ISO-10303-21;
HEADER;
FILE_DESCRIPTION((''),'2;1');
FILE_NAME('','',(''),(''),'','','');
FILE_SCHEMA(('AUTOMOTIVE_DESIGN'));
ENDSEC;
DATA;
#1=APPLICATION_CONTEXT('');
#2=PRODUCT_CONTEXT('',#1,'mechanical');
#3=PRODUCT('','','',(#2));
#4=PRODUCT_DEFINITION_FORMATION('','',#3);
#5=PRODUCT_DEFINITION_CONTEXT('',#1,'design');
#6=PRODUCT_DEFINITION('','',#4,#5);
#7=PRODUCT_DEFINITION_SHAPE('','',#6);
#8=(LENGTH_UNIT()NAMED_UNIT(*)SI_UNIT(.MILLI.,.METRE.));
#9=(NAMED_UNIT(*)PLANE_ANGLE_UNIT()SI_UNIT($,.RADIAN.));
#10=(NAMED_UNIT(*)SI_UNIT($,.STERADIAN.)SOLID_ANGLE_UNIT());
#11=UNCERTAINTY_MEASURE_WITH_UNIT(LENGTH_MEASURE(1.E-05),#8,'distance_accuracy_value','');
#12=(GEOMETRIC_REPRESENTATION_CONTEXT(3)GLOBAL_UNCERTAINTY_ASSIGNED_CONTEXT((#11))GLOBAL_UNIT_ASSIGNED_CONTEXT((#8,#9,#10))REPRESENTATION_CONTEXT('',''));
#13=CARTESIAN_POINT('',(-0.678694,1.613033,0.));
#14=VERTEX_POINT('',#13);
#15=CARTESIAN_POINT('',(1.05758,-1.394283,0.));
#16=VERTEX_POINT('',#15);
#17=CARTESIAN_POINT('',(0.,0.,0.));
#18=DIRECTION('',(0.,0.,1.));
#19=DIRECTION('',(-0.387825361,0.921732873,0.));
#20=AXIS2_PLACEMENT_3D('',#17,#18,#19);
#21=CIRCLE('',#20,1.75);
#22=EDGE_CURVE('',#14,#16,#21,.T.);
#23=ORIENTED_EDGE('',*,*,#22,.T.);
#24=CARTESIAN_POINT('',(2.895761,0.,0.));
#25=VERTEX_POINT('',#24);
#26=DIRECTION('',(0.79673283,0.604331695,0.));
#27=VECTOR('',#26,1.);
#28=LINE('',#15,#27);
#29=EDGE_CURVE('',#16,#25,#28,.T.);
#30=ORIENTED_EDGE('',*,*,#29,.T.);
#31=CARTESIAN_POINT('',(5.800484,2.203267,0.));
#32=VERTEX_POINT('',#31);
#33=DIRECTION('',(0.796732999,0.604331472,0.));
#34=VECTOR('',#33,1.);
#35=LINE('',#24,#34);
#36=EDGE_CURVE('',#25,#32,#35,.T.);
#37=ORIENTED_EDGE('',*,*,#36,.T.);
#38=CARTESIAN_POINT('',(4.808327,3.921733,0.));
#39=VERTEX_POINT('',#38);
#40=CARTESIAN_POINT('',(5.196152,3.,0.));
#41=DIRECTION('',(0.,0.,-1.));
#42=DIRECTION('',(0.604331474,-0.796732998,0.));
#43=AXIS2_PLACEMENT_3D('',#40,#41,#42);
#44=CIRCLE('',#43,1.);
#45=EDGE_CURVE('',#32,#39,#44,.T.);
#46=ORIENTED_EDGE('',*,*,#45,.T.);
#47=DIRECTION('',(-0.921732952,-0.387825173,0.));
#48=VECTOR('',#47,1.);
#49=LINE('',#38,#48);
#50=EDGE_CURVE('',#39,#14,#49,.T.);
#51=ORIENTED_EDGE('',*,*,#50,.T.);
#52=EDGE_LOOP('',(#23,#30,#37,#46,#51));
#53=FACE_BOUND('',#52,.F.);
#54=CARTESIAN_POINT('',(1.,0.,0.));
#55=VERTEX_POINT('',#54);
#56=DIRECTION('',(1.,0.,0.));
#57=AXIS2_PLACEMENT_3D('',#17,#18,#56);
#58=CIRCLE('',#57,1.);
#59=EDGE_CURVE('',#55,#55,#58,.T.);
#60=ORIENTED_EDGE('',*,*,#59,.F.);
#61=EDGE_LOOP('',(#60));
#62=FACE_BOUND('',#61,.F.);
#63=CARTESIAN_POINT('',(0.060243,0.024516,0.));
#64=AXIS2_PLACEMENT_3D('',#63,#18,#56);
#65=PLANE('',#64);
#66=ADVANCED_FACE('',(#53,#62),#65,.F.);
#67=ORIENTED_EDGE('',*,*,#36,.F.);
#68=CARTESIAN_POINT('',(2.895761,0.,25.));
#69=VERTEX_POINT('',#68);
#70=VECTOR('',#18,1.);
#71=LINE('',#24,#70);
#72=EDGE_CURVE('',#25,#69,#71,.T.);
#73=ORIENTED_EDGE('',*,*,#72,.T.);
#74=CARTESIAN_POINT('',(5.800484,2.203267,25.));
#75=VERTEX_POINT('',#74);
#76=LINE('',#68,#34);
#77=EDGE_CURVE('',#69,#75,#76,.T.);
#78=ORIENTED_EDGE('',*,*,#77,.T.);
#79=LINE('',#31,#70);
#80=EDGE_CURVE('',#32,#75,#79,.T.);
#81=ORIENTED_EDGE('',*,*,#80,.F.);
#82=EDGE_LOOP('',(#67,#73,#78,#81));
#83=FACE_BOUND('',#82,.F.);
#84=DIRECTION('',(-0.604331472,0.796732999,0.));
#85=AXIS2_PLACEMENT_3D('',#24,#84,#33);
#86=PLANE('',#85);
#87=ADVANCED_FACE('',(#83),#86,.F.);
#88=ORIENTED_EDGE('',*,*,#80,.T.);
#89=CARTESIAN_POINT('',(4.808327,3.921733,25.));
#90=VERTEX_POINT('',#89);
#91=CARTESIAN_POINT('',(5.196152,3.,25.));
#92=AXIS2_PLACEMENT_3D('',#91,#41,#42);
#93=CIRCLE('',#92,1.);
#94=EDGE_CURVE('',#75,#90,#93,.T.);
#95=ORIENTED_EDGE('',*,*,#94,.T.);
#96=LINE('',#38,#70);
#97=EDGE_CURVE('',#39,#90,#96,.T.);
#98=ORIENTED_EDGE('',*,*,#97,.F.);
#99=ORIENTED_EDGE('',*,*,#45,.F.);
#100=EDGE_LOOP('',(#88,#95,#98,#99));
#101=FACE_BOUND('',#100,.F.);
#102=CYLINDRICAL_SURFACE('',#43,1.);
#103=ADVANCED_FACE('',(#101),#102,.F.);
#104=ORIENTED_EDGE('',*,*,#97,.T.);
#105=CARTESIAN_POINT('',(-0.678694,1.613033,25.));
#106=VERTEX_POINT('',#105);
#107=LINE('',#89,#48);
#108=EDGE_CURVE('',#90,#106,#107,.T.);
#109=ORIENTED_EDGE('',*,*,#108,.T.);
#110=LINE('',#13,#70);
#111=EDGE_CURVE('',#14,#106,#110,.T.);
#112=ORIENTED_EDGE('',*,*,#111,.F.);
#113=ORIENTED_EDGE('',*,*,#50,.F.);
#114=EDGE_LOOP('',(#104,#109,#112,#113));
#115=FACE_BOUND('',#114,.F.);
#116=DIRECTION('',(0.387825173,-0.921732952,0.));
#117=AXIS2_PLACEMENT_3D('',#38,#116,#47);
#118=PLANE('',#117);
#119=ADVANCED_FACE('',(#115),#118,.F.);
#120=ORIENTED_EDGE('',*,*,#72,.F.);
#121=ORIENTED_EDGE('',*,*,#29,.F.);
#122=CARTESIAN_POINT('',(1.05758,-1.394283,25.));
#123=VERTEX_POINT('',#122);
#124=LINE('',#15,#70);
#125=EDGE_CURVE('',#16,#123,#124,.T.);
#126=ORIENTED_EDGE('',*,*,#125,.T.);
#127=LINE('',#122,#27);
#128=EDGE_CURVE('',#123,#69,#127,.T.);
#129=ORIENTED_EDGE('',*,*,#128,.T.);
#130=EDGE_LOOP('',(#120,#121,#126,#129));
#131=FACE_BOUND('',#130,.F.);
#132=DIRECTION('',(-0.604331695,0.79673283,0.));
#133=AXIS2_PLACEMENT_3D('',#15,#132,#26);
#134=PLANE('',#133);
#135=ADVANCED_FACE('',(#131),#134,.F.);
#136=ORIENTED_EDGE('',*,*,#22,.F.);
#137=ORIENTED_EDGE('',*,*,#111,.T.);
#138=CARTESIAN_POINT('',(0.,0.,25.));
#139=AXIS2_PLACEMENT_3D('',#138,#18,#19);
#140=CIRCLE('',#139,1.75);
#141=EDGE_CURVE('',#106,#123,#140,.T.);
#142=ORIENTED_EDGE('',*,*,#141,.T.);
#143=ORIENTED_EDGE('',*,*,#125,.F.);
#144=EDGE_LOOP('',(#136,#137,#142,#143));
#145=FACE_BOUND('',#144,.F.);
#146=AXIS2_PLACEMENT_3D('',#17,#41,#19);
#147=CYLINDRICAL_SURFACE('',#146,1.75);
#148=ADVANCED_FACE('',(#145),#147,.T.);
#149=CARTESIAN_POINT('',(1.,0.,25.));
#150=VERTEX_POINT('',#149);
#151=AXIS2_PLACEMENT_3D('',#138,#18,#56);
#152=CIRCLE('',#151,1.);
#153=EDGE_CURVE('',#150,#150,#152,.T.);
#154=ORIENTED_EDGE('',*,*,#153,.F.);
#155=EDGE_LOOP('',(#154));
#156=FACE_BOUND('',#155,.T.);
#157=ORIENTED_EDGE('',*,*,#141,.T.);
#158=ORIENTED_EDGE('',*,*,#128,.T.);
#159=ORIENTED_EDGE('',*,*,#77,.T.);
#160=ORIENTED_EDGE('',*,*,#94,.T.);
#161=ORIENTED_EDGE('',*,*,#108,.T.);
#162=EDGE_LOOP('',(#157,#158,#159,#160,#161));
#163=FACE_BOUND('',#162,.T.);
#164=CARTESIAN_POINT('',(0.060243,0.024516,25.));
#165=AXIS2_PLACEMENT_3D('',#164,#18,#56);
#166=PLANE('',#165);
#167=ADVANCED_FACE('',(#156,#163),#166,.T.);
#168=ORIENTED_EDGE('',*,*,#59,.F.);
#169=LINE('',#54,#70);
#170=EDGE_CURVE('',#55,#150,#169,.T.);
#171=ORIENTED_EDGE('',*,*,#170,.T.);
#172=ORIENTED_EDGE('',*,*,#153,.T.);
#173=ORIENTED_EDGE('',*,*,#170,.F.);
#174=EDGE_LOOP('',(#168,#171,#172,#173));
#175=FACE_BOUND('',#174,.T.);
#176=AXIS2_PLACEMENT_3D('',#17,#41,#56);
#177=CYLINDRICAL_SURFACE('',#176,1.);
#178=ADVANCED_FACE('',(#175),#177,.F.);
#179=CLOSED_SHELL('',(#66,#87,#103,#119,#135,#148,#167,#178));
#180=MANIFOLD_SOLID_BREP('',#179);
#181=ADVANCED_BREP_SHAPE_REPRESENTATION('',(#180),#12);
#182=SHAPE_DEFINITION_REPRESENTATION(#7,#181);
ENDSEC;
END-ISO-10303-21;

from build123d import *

# Parameters (mm, degrees)
F0_R     = 1
F1_DEPTH = 25


with BuildPart() as f1:
    # F0 (on Top) → F1 (new body)
    with BuildSketch(Plane.XY):
        with BuildLine():
            ThreePointArc((1.05758, -1.394283), (1.567365, -0.778375), (1.75, 0))
            ThreePointArc((1.75, 0), (0.96819, 1.457775), (-0.678694, 1.613033))
            ThreePointArc((-0.678694, 1.613033), (-1.515544, -0.875), (1.05758, -1.394283))
        make_face()
        Circle(F0_R, mode=Mode.SUBTRACT)
        with BuildLine():
            ThreePointArc((-0.678694, 1.613033), (0.96819, 1.457775), (1.75, 0))
            ThreePointArc((1.75, 0), (1.567365, -0.778375), (1.05758, -1.394283))
            Line((1.05758, -1.394283), (2.895761, 0))
            Line((2.895761, 0), (5.800484, 2.203267))
            ThreePointArc((5.800484, 2.203267), (4.330127, 2.5), (4.808327, 3.921733))
            Line((4.808327, 3.921733), (-0.678694, 1.613033))
        make_face()
    extrude(amount=F1_DEPTH)


solid = f1.part
